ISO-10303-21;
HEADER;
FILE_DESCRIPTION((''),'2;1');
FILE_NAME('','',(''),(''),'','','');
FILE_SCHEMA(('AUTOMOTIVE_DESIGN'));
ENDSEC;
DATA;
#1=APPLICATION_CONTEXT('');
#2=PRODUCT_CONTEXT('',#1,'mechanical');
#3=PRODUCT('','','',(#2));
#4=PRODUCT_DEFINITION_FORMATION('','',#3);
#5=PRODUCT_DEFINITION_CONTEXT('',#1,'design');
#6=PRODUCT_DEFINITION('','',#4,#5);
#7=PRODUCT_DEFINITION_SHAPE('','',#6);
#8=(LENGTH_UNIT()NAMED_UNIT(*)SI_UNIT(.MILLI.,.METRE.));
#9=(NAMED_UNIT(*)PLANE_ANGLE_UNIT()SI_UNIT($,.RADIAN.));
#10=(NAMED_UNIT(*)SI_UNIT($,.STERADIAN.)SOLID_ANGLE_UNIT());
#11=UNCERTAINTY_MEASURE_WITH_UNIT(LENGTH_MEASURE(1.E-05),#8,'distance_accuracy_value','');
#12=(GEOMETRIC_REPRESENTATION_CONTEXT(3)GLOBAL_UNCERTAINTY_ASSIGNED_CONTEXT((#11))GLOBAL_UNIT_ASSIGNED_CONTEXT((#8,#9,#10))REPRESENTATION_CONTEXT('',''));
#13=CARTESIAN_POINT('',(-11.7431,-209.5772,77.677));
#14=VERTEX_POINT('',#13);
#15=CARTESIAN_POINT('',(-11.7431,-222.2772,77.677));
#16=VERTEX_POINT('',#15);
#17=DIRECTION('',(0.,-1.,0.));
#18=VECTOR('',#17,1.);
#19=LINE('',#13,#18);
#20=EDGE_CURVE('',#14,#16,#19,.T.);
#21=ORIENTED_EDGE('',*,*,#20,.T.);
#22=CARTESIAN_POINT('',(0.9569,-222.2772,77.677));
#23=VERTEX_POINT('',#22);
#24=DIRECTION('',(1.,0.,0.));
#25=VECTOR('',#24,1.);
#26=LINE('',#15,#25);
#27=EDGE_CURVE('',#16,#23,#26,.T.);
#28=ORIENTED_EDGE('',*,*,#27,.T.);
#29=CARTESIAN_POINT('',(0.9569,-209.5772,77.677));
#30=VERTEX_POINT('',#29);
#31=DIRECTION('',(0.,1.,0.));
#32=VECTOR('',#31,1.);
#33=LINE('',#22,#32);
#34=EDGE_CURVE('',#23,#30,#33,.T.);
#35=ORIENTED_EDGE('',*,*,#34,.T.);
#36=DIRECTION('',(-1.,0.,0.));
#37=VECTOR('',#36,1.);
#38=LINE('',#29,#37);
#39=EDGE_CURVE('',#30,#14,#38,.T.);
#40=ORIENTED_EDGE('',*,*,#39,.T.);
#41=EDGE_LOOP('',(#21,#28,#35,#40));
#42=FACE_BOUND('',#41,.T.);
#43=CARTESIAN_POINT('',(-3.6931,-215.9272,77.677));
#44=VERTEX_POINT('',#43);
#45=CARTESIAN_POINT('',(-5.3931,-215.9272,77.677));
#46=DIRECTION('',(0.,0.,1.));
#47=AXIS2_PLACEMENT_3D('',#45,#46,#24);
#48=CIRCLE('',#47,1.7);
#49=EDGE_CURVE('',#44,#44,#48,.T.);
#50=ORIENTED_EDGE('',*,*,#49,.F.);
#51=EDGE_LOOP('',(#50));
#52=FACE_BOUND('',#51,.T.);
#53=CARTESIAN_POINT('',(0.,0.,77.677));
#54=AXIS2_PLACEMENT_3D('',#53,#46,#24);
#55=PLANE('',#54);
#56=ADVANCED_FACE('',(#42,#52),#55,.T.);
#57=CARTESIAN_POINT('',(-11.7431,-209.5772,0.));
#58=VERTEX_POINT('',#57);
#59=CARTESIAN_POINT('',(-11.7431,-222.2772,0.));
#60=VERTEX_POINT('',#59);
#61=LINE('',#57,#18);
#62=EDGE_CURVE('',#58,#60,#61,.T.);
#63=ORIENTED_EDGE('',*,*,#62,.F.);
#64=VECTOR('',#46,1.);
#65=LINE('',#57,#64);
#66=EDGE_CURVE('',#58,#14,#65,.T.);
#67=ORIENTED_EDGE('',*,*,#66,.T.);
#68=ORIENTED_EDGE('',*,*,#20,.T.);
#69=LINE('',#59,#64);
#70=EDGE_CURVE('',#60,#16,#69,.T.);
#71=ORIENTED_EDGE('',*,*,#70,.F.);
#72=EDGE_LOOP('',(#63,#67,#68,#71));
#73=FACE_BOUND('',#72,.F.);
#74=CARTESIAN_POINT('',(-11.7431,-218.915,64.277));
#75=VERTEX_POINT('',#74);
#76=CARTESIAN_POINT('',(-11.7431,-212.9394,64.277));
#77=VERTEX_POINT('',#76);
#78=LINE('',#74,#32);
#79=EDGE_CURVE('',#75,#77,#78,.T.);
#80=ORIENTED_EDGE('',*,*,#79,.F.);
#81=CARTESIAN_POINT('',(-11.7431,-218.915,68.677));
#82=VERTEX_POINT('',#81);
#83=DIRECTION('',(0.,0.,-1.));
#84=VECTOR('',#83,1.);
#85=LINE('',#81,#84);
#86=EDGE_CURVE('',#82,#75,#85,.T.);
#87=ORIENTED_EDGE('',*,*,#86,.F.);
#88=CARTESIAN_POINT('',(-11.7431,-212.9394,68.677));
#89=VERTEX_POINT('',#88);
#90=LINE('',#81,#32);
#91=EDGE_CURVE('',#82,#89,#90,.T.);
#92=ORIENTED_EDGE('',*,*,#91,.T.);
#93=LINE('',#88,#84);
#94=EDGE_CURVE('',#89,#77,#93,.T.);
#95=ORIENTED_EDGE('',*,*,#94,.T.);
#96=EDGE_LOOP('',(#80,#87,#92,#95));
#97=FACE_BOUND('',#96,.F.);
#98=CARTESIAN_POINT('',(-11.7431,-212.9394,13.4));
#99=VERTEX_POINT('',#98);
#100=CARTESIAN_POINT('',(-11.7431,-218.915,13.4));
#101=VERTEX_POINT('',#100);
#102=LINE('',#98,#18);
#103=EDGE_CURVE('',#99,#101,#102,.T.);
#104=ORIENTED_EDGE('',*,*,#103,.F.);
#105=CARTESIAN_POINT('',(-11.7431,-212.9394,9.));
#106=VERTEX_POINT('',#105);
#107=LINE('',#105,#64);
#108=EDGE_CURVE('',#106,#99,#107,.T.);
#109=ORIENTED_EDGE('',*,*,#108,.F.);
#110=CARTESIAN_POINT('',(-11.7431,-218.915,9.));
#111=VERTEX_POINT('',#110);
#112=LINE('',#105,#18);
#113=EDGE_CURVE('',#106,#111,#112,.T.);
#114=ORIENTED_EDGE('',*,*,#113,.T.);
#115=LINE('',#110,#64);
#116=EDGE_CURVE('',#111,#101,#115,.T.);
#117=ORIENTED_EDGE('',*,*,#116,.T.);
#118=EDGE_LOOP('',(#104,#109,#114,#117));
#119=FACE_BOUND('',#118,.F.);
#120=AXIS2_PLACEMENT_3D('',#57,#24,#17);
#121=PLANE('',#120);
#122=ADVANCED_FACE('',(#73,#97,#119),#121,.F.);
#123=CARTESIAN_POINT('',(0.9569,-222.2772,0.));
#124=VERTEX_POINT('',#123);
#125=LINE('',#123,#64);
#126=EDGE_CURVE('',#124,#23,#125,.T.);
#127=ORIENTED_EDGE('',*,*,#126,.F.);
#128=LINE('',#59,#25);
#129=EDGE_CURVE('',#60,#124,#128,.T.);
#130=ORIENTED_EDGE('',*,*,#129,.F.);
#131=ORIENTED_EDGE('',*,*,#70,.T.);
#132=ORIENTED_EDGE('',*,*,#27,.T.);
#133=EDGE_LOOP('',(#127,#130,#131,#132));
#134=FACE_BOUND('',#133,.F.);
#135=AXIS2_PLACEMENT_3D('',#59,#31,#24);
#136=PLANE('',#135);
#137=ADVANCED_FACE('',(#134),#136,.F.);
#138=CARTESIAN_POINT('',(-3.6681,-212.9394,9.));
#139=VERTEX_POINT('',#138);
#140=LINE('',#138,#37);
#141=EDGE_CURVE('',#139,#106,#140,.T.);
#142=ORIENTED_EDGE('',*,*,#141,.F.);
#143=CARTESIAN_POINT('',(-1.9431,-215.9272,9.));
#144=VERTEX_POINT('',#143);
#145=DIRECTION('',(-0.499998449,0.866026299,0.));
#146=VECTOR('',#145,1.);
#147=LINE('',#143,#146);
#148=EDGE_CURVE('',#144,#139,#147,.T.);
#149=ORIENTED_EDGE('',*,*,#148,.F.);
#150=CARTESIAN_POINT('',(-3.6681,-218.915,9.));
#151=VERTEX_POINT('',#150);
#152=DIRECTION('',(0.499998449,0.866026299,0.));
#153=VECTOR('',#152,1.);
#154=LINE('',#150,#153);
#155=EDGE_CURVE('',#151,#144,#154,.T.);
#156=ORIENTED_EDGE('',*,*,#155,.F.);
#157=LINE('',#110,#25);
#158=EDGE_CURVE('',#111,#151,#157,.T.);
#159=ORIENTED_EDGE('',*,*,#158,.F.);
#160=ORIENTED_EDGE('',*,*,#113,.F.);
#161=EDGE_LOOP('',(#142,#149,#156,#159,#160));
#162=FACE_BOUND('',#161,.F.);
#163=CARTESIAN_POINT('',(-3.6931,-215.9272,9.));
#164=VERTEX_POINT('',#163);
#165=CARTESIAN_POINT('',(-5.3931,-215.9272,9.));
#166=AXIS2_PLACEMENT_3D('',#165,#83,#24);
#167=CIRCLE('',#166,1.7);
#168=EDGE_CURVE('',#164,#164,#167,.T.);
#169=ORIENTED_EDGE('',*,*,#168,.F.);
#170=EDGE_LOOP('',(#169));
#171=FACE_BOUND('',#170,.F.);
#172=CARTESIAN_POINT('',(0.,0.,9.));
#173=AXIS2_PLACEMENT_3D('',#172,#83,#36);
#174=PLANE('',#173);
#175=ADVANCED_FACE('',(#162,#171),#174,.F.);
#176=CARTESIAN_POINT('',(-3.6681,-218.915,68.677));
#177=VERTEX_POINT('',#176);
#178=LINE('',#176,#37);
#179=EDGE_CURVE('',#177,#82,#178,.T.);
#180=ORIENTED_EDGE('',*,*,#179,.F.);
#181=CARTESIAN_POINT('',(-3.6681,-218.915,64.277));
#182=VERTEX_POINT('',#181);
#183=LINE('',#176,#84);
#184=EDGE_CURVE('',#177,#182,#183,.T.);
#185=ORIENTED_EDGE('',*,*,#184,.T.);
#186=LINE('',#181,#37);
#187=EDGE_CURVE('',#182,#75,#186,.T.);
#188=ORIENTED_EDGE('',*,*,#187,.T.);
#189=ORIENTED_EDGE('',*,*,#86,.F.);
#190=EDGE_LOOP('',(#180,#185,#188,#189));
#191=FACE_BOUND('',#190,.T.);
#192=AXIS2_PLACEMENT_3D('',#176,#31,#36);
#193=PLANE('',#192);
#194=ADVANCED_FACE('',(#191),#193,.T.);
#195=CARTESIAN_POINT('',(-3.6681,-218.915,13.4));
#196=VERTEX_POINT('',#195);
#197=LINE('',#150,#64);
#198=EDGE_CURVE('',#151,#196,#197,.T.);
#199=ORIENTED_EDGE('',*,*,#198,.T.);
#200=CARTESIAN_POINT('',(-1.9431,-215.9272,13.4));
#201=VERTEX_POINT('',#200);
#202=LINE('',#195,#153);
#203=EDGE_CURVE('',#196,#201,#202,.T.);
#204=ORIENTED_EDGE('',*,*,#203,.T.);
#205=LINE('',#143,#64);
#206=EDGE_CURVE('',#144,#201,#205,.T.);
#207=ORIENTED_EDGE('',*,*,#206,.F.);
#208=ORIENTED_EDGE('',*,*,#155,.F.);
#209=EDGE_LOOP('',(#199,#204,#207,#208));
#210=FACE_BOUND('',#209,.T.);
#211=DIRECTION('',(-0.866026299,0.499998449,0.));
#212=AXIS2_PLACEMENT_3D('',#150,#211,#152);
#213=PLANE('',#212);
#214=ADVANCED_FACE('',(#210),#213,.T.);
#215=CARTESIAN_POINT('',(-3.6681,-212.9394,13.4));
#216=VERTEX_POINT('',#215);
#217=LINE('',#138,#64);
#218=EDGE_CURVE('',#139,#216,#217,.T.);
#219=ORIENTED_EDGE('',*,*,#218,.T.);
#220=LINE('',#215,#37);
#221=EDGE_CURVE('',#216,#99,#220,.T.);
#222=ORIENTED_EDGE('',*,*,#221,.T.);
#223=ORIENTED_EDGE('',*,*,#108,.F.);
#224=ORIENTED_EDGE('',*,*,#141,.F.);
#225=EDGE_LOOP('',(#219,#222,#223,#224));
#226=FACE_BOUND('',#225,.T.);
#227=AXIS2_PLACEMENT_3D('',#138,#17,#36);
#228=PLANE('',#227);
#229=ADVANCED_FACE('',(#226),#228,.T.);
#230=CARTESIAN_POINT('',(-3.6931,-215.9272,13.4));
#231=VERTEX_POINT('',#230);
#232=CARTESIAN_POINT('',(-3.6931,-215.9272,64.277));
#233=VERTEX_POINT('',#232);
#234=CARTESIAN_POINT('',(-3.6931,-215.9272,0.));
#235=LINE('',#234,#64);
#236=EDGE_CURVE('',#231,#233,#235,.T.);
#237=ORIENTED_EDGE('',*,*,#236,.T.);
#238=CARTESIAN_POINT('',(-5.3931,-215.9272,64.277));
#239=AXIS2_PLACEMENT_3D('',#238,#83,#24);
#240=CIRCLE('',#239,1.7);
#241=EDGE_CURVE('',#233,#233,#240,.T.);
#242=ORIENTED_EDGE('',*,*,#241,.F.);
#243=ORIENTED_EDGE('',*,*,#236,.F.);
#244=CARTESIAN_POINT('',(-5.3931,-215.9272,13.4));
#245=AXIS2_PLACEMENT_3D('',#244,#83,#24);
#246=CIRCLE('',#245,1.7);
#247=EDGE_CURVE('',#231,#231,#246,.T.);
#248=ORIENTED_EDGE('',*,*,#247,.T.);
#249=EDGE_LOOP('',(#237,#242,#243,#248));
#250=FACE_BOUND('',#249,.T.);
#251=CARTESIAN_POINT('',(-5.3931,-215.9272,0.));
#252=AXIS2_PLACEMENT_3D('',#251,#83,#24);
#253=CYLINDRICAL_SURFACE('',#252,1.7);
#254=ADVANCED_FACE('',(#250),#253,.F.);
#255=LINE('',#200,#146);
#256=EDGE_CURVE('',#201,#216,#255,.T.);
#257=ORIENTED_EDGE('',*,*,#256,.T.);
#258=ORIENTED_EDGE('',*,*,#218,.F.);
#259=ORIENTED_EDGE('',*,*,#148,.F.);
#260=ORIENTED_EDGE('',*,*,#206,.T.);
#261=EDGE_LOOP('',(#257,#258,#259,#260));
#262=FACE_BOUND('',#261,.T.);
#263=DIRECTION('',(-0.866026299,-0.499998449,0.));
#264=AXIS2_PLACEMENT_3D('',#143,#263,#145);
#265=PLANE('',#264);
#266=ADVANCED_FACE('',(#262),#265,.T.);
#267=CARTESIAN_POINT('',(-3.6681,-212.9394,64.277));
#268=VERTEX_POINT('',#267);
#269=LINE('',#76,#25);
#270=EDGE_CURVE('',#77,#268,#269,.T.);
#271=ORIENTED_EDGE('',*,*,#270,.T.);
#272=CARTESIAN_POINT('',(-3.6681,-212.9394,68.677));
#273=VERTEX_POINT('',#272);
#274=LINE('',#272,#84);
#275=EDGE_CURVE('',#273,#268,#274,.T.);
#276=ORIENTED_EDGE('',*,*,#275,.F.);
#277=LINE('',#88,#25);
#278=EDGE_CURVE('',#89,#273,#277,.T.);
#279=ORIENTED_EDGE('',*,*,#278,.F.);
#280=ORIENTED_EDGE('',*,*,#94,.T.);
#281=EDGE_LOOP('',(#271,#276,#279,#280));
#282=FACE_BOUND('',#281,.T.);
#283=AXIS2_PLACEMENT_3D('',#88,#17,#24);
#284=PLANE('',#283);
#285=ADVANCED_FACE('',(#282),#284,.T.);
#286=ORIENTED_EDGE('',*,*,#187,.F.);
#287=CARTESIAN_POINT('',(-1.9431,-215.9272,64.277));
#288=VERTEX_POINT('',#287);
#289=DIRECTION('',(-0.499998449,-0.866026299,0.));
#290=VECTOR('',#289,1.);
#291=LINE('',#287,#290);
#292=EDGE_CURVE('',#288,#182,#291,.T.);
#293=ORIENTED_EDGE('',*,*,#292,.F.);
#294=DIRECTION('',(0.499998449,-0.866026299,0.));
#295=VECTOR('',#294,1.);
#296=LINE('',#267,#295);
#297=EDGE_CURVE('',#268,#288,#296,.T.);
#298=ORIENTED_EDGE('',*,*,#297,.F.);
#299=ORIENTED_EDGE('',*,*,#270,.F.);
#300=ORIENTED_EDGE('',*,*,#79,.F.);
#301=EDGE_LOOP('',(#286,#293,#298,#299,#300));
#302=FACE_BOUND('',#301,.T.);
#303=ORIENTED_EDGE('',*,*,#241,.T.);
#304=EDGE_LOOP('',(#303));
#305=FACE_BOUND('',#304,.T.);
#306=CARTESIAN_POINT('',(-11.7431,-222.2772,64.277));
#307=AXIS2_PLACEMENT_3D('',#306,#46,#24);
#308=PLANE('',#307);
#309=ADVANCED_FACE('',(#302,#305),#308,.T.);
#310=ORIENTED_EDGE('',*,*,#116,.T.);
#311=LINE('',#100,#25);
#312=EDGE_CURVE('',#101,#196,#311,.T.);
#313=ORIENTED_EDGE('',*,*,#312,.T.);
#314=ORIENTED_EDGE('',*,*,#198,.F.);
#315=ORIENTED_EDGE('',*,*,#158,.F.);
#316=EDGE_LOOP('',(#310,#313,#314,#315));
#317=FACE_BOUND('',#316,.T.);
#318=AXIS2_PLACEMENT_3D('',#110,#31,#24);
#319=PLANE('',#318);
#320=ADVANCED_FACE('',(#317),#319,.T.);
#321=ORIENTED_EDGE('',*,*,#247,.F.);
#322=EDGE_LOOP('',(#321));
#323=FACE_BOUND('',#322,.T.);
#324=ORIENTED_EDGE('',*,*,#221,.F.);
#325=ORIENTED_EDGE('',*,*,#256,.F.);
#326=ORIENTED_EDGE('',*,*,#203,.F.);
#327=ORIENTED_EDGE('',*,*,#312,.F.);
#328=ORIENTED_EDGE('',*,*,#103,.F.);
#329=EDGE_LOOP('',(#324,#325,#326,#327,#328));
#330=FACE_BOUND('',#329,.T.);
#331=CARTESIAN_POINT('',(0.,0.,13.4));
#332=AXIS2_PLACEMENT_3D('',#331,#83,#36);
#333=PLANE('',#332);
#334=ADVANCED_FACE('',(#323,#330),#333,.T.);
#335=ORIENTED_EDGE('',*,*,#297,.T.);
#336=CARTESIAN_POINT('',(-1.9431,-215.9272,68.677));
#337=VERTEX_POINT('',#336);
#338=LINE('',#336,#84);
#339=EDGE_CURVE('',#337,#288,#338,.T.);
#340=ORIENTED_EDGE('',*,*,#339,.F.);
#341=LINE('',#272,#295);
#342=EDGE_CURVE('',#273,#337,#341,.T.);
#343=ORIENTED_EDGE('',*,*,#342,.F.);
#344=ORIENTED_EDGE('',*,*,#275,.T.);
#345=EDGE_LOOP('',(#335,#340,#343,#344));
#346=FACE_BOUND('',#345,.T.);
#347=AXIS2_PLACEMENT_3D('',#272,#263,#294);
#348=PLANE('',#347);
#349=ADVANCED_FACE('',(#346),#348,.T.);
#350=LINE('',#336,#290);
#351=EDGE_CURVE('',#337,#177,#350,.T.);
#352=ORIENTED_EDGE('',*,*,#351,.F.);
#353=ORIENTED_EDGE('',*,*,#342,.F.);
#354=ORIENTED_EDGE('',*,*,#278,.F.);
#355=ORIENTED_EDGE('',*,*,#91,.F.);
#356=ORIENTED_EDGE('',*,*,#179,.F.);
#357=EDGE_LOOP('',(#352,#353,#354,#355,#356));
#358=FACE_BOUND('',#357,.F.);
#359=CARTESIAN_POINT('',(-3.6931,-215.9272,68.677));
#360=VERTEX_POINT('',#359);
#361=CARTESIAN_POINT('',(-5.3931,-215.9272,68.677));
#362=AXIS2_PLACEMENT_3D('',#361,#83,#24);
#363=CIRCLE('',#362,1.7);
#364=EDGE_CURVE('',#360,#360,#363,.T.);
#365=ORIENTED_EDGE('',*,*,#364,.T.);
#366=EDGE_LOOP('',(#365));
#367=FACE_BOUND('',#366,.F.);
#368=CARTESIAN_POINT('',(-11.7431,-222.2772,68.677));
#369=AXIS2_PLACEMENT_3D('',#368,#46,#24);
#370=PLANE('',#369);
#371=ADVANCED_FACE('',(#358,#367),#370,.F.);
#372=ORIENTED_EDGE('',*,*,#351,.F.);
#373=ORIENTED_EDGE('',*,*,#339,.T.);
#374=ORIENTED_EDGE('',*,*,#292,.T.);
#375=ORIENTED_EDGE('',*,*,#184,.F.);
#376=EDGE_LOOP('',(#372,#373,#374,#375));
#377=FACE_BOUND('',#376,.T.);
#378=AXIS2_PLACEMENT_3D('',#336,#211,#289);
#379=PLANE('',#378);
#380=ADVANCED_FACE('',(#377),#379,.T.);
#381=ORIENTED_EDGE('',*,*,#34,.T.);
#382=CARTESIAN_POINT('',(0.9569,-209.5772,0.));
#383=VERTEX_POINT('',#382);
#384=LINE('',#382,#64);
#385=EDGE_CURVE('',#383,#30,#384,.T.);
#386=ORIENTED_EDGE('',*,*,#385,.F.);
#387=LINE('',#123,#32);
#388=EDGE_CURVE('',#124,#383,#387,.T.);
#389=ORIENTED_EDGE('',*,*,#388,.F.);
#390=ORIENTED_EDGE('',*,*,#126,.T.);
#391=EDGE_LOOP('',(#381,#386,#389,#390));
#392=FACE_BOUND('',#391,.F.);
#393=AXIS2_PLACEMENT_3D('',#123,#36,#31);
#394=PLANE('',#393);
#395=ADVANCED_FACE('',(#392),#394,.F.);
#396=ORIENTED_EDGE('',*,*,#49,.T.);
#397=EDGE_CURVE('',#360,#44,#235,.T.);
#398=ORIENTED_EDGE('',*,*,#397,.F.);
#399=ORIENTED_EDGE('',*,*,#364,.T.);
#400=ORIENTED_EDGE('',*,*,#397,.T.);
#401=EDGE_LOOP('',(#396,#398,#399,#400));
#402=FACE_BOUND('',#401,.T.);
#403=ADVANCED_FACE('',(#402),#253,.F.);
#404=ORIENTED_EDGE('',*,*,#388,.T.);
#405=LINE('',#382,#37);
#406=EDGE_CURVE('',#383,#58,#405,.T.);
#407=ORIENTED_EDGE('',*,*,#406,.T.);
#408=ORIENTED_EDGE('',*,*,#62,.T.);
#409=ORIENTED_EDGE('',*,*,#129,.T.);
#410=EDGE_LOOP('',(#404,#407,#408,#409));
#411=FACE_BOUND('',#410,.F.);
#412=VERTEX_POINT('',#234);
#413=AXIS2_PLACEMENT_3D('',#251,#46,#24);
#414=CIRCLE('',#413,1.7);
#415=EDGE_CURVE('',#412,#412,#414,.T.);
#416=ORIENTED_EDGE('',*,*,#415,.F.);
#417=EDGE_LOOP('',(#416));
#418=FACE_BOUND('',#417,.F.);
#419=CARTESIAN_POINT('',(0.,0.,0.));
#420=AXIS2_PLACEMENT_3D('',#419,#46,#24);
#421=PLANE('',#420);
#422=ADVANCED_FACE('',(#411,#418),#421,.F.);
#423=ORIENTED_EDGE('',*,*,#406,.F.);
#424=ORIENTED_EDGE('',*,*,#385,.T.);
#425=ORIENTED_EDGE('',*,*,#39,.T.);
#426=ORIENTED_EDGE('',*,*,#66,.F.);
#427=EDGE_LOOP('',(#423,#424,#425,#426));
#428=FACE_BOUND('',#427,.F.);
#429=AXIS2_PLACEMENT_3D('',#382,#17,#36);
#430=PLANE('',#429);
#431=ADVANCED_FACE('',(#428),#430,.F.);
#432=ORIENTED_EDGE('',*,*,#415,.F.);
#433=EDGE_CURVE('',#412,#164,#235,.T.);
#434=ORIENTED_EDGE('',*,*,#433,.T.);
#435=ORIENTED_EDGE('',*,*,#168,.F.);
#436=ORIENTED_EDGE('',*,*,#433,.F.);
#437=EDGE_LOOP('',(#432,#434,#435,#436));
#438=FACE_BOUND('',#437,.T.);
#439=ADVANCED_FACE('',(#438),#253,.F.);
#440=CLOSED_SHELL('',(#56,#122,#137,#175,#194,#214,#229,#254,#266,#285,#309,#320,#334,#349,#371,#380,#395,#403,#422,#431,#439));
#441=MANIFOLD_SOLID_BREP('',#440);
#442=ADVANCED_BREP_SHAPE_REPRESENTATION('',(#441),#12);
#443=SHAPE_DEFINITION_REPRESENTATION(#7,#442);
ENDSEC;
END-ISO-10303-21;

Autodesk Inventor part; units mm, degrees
ref_plane "YZ Plane" through (0, 0, 0) normal (1, 0, 0) x (0, 1, 0)
ref_plane "Work Plane1" through (0, 0, 0) normal (0, 0, 1) x (1, 0, 0)
sketch "Sketch1" plane through (0, 0, 0) normal (0, 0, 1) x (1, 0, 0)
  circle A0 centre (-5.3931, -215.9272) radius 1.778 construction
  line L0 (0.9569, -209.5772) -> (-11.7431, -209.5772)
  line L1 (-11.7431, -209.5772) -> (-11.7431, -222.2772)
  line L2 (-11.7431, -222.2772) -> (0.9569, -222.2772)
  line L3 (0.9569, -222.2772) -> (0.9569, -209.5772)
  line L4 (0.9569, -209.5772) -> (-11.7431, -222.2772) construction
  line L5 (-11.7431, -209.5772) -> (0.9569, -222.2772) construction
  circle A1 centre (-5.3931, -215.9272) radius 1.7
  point P0 (0, 0)
  dimension "d0" = 12.7
  dimension "d1" = 12.7
  dimension "d2" = 3.4
ref_plane "Work Plane2" through (-150.1545, -254.8124, 77.677) normal (0, 0, -1) x (0, 1, 0)
extrude "Extrusion1" add sketch "Sketch1" along normal up to surface (77.677 mm away)
ref_plane "Work Plane3" through (0, 0, 9) normal (0, 0, -1) x (-1, 0, 0)
sketch "Sketch2" plane through (0, 0, 9) normal (0, 0, -1) x (-1, 0, 0)
  circle A0 centre (5.3931, -215.9272) radius 1.7 construction
  circle A1 centre (5.3931, -215.9272) radius 3.45 construction
  line L0 (11.7431, -218.915) -> (3.6681, -218.915)
  line L1 (3.6681, -218.915) -> (1.9431, -215.9272)
  line L2 (1.9431, -215.9272) -> (3.6681, -212.9394)
  line L3 (3.6681, -212.9394) -> (11.7431, -212.9394)
  line L4 (11.7431, -212.9394) -> (11.7431, -218.915)
  line L5 (11.7431, -209.5772) -> (11.7431, -222.2772) projected
  line L6 (11.7431, -218.915) -> (3.6681, -218.915)
  line L7 (3.6681, -218.915) -> (1.9431, -215.9272)
  line L8 (1.9431, -215.9272) -> (3.6681, -212.9394)
  line L9 (3.6681, -212.9394) -> (11.7431, -212.9394)
  line L10 (11.7431, -212.9394) -> (11.7431, -218.915)
  point P0 (0, 0)
  dimension "d6" = 6.9
extrude "Extrusion2" cut sketch "Sketch2" against normal blind 4.4
ref_plane "Work Plane4" through (-11.7431, -222.2772, 68.677) normal (0, 0, 1) x (1, 0, 0)
sketch "Sketch3" plane through (-11.7431, -222.2772, 68.677) normal (0, 0, 1) x (1, 0, 0)
  line L0 (0, 9.3378) -> (8.075, 9.3378)
  line L1 (8.075, 9.3378) -> (9.8, 6.35)
  line L2 (9.8, 6.35) -> (8.075, 3.3622)
  line L3 (8.075, 3.3622) -> (0, 3.3622)
  line L4 (0, 3.3622) -> (0, 9.3378)
  circle A0 centre (6.35, 6.35) radius 1.7 construction
  circle A1 centre (6.35, 6.35) radius 3.45 construction
  point P0 (11.7431, 222.2772)
  dimension "d10" = 6.9
extrude "Extrusion3" cut sketch "Sketch3" against normal blind 4.4
properties part number "supports"
